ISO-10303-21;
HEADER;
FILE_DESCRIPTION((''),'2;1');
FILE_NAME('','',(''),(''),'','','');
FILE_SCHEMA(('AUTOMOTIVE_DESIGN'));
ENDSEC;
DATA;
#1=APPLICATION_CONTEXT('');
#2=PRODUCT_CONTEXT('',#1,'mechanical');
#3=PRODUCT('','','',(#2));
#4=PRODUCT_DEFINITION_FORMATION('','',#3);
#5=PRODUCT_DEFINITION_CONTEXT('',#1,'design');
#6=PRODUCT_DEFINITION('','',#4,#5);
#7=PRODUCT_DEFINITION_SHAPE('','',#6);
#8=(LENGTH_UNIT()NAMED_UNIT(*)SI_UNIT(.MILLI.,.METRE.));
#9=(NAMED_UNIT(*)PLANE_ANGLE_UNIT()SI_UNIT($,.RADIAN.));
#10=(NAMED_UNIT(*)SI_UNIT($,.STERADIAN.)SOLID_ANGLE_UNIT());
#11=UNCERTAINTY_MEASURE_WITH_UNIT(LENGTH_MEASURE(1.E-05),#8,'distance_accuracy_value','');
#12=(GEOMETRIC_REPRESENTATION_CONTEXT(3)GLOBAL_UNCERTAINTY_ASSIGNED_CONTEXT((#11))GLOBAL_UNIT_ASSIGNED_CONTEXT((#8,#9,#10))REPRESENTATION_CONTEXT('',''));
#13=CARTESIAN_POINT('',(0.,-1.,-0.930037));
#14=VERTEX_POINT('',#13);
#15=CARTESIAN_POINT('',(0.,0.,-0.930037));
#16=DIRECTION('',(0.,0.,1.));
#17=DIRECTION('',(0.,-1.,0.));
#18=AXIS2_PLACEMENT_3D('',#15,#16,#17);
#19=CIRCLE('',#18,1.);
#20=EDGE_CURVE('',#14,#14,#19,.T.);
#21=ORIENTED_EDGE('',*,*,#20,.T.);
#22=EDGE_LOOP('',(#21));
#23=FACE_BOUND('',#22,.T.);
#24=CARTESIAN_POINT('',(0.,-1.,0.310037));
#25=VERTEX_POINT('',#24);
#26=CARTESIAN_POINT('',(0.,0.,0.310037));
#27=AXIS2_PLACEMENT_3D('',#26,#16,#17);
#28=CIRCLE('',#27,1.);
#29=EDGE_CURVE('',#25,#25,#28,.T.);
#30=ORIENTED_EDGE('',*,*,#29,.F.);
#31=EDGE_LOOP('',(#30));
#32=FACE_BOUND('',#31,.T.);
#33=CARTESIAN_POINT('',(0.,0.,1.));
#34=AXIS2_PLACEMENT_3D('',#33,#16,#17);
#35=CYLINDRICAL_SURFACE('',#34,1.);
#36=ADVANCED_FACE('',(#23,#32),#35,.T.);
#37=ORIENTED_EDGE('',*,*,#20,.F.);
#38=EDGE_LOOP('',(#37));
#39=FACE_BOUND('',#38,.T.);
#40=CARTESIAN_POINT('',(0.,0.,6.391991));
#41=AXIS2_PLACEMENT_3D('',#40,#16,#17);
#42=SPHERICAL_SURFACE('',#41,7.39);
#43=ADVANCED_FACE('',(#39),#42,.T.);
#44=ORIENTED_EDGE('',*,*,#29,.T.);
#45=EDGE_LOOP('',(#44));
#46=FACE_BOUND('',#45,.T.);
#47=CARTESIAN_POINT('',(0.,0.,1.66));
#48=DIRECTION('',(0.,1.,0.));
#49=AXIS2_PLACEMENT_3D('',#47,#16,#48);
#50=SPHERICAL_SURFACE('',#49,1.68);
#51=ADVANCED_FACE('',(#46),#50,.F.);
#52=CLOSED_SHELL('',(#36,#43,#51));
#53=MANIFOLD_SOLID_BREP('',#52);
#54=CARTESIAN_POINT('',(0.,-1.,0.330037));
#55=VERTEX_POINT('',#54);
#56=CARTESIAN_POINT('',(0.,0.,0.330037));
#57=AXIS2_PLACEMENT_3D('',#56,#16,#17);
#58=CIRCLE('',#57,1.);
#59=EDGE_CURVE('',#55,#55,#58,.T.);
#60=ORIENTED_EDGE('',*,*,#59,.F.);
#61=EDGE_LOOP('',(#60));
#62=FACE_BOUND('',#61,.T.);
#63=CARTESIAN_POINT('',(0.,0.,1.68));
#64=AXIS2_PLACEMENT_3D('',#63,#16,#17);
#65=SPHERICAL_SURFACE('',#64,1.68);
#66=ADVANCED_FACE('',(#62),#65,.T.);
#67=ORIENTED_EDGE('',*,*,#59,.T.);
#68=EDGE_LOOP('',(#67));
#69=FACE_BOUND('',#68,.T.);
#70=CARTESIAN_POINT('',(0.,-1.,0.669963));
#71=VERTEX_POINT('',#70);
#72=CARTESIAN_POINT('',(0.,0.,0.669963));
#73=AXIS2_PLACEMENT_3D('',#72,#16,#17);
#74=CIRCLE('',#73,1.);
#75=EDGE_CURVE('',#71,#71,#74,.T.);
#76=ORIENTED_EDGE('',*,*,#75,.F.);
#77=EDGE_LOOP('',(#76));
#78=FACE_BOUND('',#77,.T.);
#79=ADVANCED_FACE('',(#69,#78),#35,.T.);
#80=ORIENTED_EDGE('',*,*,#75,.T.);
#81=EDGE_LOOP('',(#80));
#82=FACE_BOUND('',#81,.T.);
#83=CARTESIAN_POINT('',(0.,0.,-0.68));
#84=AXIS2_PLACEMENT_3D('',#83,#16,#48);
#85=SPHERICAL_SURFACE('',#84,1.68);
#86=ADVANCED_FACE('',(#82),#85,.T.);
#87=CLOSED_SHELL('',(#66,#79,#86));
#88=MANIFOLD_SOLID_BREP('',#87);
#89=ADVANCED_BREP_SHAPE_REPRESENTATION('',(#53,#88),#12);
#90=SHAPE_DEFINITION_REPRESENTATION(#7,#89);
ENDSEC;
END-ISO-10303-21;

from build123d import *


with BuildPart() as part:
    # 草图1 → 旋转1 (revolve)
    with BuildSketch(Plane(origin=(0, 0, 0), x_dir=(0, 0, -1), z_dir=(1, 0, 0)), mode=Mode.PRIVATE) as revolve_1_sk:
        with BuildLine():
            Line((0.930037038, 1), (-0.310037038, 1))
            ThreePointArc((-0.310037038, 1), (-0.064641455, 0.526527408), (0.02, 0))
            Line((0.02, 0), (0.99800863, 0))
            ThreePointArc((0.99800863, 0), (0.98099615, 0.501153703), (0.930037038, 1))
        make_face()
        with BuildLine():
            Line((-0.330037038, 1), (-0.669962962, 1))
            ThreePointArc((-0.669962962, 1), (-0.915358545, 0.526527408), (-1, 0))
            Line((-1, 0), (0, 0))
            ThreePointArc((0, 0), (-0.084641455, 0.526527408), (-0.330037038, 1))
        make_face()
    revolve(revolve_1_sk.sketch.rotate(Axis((0, 0, 1), (0, 0, -1)), 180), axis=Axis((0, 0, 1), (0, 0, -1)))


solid = part.part
